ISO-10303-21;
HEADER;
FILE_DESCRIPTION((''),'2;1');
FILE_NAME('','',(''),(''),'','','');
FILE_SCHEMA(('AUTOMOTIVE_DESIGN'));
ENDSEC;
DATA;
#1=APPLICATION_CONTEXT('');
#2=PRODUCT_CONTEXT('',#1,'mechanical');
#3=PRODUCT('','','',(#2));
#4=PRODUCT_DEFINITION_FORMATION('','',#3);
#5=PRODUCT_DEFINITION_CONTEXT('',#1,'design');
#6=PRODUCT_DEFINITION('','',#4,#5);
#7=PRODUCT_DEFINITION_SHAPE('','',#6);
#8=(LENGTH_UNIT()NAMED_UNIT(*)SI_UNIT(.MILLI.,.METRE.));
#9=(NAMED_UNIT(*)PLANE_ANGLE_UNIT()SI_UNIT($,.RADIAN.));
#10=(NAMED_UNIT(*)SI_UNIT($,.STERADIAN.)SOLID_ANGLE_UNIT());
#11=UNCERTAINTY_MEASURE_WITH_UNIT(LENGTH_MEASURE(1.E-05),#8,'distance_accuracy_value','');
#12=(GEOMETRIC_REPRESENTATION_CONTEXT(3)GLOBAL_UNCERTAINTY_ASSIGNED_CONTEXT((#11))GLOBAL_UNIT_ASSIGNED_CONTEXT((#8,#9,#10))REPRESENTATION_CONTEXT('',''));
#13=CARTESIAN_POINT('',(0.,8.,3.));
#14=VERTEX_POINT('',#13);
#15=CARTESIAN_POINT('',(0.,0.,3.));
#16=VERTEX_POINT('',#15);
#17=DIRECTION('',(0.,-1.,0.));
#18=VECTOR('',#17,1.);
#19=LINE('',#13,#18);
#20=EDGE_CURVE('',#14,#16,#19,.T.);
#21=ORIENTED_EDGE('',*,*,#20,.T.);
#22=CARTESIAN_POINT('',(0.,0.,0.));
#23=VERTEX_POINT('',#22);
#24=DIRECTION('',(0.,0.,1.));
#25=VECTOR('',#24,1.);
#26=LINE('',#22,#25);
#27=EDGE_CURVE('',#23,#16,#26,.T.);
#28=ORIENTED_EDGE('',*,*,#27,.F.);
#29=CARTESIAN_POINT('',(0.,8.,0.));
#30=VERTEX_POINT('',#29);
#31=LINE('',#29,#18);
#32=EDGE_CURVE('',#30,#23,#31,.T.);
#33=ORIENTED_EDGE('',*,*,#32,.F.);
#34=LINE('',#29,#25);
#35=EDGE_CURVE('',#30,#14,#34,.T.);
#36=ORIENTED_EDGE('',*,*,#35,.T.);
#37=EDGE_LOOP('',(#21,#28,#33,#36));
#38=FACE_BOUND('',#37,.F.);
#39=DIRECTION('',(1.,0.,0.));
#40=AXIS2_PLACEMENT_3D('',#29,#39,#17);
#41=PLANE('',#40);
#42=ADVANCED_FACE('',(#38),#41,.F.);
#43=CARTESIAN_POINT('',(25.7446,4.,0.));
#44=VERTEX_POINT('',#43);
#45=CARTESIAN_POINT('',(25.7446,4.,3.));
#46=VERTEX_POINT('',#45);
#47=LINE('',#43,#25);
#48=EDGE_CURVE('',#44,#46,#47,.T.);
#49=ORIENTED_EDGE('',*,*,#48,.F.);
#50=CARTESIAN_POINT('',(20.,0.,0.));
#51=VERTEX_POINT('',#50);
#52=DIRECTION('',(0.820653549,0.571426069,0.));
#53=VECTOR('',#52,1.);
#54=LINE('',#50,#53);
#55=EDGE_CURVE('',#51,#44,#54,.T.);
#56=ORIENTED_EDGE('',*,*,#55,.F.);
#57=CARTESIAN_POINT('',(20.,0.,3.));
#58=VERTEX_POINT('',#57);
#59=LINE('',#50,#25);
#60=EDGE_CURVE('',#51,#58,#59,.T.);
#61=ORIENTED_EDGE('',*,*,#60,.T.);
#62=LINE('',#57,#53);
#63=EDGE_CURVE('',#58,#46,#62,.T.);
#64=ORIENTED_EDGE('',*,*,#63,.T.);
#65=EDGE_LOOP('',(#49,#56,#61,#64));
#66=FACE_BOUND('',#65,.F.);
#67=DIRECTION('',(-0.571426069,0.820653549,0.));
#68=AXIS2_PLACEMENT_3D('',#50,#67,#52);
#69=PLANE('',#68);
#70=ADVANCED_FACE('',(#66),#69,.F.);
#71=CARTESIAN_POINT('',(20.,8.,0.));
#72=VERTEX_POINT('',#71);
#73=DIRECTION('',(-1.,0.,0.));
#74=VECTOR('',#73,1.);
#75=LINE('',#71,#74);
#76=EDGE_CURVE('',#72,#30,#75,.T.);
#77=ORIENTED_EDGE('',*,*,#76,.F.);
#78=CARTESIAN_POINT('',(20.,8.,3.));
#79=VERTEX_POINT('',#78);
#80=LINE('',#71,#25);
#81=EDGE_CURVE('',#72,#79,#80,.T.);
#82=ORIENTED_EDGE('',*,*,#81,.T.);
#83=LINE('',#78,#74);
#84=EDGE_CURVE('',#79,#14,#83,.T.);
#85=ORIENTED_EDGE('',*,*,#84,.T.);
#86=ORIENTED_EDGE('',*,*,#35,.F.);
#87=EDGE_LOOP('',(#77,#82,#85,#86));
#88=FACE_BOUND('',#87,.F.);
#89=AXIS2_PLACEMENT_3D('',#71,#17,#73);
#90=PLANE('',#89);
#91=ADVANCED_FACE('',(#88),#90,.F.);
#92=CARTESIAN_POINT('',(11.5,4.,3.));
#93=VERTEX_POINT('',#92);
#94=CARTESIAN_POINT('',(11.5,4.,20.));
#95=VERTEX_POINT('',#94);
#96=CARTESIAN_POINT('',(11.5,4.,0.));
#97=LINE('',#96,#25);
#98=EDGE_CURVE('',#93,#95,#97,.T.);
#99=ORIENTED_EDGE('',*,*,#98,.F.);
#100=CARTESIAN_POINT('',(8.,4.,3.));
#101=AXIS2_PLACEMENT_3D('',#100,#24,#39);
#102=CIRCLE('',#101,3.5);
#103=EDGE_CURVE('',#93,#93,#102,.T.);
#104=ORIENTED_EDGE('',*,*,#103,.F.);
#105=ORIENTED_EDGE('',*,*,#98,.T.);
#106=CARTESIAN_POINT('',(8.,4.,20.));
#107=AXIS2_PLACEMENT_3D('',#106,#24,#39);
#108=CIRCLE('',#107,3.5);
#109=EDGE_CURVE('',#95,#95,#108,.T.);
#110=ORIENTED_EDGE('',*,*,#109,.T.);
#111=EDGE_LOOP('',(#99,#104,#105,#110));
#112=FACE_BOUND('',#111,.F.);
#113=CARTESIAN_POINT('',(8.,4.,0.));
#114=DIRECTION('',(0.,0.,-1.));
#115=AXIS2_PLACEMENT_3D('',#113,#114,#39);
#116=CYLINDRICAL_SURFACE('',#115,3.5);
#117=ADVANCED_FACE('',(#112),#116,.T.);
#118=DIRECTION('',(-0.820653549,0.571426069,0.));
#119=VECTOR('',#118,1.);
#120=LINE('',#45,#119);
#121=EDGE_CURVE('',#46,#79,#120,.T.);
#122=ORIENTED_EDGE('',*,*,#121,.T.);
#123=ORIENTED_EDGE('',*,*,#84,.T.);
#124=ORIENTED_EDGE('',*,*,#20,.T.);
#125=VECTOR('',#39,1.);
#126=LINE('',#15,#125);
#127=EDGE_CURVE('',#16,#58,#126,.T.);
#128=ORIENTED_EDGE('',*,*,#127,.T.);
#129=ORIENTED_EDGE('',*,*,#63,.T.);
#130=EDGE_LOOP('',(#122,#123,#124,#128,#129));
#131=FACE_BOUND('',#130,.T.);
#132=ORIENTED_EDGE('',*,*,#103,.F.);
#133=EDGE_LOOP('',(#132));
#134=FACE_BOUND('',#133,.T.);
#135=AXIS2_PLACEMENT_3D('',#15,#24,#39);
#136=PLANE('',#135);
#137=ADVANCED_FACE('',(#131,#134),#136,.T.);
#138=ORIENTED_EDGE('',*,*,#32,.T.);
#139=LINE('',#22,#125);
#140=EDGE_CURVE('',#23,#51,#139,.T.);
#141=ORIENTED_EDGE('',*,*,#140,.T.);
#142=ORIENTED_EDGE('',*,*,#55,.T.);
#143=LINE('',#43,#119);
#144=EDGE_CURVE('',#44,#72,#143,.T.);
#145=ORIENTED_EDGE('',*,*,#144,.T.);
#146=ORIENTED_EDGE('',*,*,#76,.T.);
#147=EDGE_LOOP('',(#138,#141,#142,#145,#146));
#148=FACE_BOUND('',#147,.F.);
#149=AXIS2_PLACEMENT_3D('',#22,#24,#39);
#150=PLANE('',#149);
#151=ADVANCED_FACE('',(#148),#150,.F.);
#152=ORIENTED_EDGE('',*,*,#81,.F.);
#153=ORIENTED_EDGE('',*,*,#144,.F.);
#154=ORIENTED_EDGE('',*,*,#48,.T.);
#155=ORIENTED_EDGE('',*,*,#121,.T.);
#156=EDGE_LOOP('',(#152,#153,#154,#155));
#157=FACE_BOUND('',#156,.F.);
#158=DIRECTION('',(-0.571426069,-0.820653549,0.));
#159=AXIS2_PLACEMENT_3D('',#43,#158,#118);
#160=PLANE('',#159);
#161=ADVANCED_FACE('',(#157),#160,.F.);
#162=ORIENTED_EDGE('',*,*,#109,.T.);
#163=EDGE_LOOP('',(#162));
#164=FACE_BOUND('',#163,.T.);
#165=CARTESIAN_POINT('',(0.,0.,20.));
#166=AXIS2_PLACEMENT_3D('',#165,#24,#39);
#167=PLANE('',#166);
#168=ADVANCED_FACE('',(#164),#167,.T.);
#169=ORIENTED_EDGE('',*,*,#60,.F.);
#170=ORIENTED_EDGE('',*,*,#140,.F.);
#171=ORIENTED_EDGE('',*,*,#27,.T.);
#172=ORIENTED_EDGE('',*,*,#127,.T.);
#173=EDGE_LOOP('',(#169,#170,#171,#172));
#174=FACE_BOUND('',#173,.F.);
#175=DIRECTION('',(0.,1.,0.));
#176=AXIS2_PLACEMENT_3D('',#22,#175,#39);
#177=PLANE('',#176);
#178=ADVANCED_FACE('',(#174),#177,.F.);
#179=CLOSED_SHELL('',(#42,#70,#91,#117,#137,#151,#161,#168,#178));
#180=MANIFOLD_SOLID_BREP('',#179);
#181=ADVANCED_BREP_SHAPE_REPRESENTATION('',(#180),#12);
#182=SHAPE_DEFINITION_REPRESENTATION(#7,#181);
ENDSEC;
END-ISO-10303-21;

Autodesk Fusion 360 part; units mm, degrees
sketch "Sketch1" plane through (0, 0, 0) normal (0, 0, 1) x (1, 0, 0)
  line L0 (0, 0) -> (20, 0)
  line L1 (20, 8) -> (0, 8)
  line L2 (0, 8) -> (0, 0)
  line L3 (20, 0) -> (25.7446, 4)
  line L4 (25.7446, 4) -> (20, 8)
  circle A0 centre (8, 4) radius 3.5
  dimension "d1" = 20
  dimension "d2" = 8
  dimension "d3" = 7
  dimension "d4" = 7
  dimension "d9" = 8
extrude "Extrude1" add sketch "Sketch1" along normal blind 3
extrude "Extrude2" add sketch "Sketch1" along normal blind 20 contours A0
